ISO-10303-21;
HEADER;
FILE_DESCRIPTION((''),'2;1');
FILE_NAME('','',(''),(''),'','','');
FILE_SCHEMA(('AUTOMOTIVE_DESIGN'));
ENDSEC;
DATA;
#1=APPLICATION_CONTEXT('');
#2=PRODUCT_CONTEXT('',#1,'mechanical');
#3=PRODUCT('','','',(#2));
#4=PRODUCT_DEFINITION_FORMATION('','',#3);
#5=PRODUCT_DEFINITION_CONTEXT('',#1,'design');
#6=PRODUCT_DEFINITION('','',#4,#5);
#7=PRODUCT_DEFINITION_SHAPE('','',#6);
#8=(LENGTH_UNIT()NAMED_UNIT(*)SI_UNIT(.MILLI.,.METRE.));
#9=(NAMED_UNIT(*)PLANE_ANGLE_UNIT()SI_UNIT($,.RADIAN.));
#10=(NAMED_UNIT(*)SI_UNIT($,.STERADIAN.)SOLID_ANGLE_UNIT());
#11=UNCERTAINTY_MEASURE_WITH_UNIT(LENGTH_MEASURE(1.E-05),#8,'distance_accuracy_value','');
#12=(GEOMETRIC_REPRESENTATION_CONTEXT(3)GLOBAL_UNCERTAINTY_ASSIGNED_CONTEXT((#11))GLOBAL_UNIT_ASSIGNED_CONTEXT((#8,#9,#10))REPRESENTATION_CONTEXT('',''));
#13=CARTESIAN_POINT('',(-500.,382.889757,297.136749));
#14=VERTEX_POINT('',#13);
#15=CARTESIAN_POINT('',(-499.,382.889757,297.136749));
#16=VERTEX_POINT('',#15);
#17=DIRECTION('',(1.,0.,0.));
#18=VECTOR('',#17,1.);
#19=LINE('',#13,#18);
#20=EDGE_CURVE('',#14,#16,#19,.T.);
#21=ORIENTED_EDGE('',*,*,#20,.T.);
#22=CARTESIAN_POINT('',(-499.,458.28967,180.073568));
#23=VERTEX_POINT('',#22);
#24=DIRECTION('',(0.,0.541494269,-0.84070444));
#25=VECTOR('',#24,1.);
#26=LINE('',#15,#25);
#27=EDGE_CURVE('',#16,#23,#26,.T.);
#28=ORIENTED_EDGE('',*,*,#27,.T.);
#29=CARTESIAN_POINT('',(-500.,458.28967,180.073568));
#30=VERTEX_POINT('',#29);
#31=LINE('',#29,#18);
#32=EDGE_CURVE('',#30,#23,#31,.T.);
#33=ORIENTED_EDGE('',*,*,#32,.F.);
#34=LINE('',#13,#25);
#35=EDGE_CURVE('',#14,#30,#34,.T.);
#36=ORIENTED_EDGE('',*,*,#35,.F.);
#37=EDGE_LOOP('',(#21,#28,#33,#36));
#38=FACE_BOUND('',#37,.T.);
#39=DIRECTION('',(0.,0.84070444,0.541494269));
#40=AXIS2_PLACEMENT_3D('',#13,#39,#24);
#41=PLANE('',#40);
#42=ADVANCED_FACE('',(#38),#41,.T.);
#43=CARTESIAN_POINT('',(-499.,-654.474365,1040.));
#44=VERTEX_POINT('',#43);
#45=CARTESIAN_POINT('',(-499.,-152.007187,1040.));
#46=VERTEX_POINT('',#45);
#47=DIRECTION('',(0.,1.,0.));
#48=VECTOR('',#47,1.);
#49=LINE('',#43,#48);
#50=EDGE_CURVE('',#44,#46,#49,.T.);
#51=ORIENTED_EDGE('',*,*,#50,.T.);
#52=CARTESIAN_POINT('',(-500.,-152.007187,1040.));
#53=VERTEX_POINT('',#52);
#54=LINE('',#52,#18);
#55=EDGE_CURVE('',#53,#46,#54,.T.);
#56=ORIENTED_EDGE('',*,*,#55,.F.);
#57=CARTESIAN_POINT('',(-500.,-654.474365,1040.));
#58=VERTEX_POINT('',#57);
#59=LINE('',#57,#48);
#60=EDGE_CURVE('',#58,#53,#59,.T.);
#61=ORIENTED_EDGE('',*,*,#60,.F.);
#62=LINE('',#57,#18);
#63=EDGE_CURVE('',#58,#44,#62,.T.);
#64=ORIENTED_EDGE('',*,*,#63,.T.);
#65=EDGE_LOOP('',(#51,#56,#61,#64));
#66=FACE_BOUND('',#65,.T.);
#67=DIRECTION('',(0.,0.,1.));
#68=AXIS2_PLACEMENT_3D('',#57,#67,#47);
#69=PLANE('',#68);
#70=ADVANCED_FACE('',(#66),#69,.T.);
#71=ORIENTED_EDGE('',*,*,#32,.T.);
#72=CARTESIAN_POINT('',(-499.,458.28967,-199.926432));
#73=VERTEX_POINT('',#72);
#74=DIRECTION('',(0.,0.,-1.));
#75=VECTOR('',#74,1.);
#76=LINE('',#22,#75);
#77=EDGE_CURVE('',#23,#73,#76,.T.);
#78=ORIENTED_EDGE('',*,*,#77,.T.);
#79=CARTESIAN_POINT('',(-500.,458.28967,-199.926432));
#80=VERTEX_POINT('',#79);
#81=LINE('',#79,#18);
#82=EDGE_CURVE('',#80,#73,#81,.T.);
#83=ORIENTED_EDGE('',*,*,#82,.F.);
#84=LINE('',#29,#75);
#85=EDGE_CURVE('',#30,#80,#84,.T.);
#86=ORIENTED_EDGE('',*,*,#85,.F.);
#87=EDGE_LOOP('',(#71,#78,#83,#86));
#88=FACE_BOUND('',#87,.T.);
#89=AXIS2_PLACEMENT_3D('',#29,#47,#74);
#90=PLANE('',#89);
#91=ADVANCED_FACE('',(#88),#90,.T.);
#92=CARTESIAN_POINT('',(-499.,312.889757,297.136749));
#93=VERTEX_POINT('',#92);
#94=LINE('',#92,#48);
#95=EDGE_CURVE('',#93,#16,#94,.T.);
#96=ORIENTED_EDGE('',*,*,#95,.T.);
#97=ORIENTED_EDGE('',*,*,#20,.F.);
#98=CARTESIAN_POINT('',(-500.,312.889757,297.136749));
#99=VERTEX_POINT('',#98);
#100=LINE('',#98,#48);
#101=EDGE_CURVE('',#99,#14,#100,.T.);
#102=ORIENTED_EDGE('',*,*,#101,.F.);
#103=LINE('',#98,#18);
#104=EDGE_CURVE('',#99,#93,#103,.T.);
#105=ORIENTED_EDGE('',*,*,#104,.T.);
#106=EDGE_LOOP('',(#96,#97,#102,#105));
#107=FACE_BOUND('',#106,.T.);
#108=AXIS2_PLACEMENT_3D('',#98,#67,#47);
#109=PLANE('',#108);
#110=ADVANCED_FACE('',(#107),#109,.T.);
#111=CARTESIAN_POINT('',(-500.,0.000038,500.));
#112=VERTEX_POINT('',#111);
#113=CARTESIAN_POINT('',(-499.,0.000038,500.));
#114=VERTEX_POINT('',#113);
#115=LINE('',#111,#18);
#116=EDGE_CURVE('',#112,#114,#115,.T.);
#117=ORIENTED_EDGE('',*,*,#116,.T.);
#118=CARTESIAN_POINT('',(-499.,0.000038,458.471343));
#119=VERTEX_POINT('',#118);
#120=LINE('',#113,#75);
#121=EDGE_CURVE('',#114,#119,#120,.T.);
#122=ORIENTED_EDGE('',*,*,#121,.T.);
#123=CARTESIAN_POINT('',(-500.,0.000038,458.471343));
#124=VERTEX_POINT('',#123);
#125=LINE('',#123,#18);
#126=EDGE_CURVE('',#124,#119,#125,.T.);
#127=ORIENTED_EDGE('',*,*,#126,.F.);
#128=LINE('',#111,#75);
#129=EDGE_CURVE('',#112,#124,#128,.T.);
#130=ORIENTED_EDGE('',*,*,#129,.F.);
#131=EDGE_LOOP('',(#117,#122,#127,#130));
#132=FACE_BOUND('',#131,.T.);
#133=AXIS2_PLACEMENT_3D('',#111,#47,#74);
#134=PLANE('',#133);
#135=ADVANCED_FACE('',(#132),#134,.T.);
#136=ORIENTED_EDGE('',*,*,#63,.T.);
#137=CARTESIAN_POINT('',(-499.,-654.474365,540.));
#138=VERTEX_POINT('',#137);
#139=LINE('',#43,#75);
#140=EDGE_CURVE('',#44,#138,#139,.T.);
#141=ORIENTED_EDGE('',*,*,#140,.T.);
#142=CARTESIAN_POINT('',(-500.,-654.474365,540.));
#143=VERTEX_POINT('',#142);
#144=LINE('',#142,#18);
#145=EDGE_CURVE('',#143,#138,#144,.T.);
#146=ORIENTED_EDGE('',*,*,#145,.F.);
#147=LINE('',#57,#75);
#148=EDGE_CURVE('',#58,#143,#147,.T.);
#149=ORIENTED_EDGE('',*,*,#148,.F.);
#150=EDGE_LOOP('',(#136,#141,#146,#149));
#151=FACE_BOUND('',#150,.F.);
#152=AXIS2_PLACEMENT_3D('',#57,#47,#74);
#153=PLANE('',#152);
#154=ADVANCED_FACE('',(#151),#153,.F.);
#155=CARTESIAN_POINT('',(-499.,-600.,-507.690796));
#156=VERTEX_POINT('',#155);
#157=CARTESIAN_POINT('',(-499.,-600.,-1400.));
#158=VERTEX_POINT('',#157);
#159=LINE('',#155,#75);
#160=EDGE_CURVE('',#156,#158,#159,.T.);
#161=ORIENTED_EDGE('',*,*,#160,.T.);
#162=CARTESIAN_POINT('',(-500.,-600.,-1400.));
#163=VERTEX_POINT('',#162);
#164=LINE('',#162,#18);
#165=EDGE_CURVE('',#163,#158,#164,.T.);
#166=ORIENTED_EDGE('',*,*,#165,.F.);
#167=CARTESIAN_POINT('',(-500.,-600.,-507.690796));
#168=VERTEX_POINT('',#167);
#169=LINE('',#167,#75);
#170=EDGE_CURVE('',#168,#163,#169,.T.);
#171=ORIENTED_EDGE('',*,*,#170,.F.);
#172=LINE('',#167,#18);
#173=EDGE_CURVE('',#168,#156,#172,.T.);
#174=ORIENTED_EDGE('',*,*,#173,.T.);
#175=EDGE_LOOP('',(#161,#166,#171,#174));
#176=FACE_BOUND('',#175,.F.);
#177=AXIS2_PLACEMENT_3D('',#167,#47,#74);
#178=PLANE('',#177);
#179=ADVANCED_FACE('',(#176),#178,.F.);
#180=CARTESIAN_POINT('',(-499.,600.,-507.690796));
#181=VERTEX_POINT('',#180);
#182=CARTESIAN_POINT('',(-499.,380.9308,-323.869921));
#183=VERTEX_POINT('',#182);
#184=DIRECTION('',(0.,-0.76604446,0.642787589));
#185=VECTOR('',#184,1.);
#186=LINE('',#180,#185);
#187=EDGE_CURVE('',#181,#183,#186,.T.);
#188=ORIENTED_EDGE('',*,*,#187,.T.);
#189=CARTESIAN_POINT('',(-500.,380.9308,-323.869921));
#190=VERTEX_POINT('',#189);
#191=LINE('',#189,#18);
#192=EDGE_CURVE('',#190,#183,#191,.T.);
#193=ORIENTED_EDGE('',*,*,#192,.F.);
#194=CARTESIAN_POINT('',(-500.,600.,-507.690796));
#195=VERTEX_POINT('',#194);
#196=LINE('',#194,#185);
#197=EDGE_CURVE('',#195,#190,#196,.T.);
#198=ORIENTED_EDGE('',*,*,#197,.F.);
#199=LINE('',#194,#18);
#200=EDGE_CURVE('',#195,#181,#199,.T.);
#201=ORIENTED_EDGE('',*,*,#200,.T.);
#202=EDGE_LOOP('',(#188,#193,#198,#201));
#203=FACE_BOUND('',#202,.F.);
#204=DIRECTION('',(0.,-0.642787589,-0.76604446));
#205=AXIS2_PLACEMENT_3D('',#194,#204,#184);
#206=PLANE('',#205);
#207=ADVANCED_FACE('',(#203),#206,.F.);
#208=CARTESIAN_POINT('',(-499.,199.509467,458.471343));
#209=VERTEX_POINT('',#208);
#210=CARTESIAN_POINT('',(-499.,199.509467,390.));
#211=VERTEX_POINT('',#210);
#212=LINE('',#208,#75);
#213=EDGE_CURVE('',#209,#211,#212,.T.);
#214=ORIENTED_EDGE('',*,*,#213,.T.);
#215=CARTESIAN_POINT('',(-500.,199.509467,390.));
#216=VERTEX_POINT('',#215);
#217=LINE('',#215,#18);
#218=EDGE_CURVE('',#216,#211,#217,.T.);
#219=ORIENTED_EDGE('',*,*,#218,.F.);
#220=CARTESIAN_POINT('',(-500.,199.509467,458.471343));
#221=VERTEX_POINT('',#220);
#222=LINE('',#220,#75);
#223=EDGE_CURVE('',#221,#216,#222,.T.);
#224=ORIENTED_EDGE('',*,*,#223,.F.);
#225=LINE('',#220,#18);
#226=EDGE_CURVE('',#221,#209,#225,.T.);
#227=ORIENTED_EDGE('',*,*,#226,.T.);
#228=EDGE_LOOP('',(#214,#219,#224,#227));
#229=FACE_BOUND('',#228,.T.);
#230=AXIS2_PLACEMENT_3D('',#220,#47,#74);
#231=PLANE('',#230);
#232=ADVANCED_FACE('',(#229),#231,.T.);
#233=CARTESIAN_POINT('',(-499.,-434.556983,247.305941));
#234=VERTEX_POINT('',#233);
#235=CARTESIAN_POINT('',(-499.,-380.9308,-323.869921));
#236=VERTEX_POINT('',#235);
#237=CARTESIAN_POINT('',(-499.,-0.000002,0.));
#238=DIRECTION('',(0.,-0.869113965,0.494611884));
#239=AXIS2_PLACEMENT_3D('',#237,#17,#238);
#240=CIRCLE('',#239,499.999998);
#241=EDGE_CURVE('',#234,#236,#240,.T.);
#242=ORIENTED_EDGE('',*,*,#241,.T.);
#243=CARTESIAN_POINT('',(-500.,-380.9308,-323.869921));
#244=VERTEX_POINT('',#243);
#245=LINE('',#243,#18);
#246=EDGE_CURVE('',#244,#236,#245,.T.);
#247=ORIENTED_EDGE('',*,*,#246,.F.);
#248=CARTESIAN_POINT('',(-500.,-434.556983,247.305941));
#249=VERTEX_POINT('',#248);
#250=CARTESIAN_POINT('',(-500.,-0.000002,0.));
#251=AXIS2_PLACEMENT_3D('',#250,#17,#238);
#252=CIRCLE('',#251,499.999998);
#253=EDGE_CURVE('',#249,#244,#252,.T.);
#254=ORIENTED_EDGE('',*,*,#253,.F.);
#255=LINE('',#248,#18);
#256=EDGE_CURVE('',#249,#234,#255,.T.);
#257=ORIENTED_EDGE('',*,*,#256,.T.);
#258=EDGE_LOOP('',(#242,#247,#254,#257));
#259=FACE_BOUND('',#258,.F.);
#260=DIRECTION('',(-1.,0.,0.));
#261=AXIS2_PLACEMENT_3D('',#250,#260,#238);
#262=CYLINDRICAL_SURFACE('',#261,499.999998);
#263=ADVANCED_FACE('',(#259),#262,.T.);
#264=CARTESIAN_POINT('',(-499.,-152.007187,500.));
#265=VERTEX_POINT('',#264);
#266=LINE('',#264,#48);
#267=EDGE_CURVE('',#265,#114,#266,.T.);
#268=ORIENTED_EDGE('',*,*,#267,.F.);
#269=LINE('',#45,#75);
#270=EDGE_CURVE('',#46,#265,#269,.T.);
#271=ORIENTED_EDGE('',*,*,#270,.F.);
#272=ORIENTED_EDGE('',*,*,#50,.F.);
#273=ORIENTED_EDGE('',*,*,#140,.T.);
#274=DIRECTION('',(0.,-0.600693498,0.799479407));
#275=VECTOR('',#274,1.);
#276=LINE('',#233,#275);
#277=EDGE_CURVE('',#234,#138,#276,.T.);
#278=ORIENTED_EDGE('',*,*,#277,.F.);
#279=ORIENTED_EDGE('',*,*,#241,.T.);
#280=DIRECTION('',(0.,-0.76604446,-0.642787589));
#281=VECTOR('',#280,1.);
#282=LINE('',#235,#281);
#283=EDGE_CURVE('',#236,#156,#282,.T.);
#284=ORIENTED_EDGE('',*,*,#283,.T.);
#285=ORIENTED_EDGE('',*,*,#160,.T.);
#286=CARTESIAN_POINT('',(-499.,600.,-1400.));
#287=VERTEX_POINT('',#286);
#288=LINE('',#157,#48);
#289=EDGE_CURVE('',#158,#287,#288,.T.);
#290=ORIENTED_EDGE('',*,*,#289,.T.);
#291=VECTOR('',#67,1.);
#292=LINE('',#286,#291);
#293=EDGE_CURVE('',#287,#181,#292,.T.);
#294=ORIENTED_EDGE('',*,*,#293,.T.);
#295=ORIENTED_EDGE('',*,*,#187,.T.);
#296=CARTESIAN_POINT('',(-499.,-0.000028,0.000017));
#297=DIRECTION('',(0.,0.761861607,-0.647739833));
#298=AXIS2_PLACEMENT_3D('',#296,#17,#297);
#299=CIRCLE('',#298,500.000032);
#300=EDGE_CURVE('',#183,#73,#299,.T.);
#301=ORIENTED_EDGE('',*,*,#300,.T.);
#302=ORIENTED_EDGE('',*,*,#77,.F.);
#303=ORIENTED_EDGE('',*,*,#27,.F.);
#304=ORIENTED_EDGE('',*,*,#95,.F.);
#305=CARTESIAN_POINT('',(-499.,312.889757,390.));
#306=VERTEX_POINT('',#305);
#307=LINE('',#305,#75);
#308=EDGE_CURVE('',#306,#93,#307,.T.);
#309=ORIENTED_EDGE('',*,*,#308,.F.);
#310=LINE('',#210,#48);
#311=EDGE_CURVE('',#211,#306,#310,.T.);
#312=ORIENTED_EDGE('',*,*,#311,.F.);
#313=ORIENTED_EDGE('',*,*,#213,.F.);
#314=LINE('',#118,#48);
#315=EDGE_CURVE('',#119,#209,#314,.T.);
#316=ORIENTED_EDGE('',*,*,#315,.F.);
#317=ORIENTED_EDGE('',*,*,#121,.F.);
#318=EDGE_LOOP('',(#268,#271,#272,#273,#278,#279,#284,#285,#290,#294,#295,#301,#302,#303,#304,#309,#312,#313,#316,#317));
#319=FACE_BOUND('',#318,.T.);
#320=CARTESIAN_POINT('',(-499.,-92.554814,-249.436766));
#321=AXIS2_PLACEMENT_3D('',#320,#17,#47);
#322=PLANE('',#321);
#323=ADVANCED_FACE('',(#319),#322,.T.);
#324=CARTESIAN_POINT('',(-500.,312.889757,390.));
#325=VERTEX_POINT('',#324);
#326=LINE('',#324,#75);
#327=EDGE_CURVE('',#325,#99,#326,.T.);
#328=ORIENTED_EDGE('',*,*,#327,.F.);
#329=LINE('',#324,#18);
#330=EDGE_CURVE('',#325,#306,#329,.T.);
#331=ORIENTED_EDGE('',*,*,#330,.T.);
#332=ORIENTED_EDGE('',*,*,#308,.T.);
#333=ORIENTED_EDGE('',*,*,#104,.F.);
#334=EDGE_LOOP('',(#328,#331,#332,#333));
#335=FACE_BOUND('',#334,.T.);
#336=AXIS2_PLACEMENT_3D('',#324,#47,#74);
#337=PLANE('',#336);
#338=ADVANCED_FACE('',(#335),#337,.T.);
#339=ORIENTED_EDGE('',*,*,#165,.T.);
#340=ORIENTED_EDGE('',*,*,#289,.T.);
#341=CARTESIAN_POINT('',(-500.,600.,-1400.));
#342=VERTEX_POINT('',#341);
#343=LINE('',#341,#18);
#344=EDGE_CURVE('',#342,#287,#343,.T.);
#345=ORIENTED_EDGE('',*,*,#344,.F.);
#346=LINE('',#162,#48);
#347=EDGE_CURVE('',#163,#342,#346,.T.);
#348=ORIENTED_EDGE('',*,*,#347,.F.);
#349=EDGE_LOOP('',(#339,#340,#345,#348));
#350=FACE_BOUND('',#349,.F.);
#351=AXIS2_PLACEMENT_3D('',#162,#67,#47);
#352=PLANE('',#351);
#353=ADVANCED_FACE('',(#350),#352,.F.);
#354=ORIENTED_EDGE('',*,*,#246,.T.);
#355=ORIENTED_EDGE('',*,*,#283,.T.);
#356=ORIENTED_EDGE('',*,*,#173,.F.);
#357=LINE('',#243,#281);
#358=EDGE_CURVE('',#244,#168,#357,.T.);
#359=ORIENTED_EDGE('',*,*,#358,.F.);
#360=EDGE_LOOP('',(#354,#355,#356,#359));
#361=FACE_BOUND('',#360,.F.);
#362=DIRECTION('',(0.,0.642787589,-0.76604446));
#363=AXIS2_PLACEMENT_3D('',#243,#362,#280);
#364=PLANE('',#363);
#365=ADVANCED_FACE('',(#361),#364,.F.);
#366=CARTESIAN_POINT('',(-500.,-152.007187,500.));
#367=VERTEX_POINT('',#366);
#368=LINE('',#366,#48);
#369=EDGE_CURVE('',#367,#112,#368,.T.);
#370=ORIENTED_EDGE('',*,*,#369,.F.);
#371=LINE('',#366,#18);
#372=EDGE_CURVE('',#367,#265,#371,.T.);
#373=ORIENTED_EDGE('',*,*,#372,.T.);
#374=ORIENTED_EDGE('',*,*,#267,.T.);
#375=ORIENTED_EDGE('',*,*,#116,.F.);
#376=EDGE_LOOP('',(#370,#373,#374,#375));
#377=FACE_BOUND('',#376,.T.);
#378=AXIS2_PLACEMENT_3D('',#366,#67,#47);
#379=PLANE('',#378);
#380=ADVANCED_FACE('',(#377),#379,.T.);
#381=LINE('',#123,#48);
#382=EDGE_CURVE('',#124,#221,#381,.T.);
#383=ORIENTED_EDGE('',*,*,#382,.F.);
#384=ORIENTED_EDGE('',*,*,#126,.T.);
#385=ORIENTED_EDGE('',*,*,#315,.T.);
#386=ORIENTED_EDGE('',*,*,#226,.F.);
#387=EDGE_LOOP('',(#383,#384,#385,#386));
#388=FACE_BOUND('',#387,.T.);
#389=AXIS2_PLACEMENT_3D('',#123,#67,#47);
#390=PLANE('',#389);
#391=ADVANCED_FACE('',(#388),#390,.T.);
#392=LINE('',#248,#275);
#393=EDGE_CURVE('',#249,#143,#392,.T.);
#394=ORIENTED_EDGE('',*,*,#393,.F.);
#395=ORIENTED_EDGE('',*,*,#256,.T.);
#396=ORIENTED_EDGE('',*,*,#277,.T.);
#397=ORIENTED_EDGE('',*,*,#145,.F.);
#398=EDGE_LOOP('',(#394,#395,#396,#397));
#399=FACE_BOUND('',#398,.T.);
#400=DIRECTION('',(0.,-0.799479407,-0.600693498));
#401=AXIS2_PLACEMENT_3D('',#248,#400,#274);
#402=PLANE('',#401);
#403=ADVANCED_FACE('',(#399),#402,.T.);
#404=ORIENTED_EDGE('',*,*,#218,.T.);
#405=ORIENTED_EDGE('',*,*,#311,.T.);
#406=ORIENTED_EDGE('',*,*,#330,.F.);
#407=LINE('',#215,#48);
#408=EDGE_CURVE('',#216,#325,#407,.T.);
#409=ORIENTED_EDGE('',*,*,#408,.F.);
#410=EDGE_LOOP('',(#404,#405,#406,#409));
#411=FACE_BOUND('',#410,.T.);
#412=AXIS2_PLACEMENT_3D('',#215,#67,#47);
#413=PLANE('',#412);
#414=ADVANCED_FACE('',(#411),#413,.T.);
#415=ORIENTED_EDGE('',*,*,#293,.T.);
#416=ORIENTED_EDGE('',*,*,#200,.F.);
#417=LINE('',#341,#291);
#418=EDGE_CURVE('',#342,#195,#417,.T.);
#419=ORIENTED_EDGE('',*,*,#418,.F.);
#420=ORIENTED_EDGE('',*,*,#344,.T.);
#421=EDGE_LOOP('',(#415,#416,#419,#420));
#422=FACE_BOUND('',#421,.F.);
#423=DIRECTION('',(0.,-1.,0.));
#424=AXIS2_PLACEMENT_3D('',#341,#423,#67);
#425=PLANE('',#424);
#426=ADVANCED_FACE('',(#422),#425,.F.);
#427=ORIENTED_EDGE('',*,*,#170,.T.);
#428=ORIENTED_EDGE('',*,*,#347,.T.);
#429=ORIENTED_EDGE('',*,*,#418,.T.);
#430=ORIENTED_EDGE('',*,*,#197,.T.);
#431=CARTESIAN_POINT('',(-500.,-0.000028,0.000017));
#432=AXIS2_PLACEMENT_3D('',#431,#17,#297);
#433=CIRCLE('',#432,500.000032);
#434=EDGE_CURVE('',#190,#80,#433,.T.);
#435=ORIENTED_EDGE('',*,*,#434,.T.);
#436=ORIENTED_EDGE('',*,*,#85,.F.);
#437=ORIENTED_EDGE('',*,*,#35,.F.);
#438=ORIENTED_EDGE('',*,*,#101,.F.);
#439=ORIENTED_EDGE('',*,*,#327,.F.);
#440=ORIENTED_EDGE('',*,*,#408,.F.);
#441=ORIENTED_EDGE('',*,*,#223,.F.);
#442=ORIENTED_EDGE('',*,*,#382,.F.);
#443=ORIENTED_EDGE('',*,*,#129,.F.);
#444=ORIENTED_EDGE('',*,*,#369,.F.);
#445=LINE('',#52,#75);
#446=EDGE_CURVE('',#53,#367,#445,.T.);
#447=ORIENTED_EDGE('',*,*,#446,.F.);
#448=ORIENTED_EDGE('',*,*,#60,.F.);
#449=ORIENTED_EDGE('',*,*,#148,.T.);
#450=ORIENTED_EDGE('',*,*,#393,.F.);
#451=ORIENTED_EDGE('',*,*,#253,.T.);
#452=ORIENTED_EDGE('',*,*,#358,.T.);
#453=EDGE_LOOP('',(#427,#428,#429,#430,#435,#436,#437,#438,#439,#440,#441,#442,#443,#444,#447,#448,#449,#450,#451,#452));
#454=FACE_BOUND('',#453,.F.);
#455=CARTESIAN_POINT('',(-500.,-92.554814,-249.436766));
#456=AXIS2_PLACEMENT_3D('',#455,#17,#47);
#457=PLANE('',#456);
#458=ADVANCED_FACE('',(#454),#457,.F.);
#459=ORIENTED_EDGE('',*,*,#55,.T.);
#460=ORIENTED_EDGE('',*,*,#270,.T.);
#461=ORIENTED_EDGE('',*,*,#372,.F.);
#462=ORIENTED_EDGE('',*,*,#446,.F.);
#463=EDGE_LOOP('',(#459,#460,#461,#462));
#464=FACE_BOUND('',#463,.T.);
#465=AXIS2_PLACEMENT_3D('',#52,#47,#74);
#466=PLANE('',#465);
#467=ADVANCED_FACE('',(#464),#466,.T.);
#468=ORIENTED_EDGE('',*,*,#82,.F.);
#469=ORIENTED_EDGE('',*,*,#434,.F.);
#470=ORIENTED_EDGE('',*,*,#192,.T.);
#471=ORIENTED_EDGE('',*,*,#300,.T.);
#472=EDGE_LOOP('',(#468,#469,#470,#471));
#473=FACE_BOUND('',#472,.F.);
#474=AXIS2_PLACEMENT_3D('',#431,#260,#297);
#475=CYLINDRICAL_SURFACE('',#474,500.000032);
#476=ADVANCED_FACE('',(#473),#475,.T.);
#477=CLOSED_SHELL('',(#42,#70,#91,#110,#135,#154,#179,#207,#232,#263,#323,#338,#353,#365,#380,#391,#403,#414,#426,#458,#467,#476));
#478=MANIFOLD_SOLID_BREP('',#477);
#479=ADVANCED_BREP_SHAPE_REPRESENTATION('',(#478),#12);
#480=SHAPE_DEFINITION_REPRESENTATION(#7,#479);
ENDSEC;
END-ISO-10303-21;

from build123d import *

# Parameters (mm, degrees)
PAD_DEPTH = 1


with BuildPart() as part:
    # Sketch → Pad (new body)
    with BuildSketch(Plane.YZ.offset(-500)):
        with BuildLine():
            ThreePointArc((-434.556983, 247.305941), (-497.810755, -46.738128), (-380.9308, -323.869921))
            Line((-380.9308, -323.869921), (-600, -507.690796))
            Line((-600, -507.690796), (-600, -1400))
            Line((-600, -1400), (600, -1400))
            Line((600, -1400), (600, -507.690796))
            Line((600, -507.690796), (380.9308, -323.869921))
            ThreePointArc((380.9308, -323.869921), (424.161816, -264.739029), (458.28967, -199.926432))
            Line((458.28967, 180.073568), (458.28967, -199.926432))
            Line((382.889757, 297.136749), (458.28967, 180.073568))
            Line((312.889757, 297.136749), (382.889757, 297.136749))
            Line((312.889757, 390), (312.889757, 297.136749))
            Line((199.509467, 390), (312.889757, 390))
            Line((199.509467, 458.471343), (199.509467, 390))
            Line((3.8e-05, 458.471343), (199.509467, 458.471343))
            Line((3.8e-05, 500), (3.8e-05, 458.471343))
            Line((-152.007187, 500), (3.8e-05, 500))
            Line((-152.007187, 1040), (-152.007187, 500))
            Line((-654.474365, 1040), (-152.007187, 1040))
            Line((-654.474365, 1040), (-654.474365, 540))
            Line((-434.556983, 247.305941), (-654.474365, 540))
        make_face()
    extrude(amount=PAD_DEPTH)


solid = part.part
